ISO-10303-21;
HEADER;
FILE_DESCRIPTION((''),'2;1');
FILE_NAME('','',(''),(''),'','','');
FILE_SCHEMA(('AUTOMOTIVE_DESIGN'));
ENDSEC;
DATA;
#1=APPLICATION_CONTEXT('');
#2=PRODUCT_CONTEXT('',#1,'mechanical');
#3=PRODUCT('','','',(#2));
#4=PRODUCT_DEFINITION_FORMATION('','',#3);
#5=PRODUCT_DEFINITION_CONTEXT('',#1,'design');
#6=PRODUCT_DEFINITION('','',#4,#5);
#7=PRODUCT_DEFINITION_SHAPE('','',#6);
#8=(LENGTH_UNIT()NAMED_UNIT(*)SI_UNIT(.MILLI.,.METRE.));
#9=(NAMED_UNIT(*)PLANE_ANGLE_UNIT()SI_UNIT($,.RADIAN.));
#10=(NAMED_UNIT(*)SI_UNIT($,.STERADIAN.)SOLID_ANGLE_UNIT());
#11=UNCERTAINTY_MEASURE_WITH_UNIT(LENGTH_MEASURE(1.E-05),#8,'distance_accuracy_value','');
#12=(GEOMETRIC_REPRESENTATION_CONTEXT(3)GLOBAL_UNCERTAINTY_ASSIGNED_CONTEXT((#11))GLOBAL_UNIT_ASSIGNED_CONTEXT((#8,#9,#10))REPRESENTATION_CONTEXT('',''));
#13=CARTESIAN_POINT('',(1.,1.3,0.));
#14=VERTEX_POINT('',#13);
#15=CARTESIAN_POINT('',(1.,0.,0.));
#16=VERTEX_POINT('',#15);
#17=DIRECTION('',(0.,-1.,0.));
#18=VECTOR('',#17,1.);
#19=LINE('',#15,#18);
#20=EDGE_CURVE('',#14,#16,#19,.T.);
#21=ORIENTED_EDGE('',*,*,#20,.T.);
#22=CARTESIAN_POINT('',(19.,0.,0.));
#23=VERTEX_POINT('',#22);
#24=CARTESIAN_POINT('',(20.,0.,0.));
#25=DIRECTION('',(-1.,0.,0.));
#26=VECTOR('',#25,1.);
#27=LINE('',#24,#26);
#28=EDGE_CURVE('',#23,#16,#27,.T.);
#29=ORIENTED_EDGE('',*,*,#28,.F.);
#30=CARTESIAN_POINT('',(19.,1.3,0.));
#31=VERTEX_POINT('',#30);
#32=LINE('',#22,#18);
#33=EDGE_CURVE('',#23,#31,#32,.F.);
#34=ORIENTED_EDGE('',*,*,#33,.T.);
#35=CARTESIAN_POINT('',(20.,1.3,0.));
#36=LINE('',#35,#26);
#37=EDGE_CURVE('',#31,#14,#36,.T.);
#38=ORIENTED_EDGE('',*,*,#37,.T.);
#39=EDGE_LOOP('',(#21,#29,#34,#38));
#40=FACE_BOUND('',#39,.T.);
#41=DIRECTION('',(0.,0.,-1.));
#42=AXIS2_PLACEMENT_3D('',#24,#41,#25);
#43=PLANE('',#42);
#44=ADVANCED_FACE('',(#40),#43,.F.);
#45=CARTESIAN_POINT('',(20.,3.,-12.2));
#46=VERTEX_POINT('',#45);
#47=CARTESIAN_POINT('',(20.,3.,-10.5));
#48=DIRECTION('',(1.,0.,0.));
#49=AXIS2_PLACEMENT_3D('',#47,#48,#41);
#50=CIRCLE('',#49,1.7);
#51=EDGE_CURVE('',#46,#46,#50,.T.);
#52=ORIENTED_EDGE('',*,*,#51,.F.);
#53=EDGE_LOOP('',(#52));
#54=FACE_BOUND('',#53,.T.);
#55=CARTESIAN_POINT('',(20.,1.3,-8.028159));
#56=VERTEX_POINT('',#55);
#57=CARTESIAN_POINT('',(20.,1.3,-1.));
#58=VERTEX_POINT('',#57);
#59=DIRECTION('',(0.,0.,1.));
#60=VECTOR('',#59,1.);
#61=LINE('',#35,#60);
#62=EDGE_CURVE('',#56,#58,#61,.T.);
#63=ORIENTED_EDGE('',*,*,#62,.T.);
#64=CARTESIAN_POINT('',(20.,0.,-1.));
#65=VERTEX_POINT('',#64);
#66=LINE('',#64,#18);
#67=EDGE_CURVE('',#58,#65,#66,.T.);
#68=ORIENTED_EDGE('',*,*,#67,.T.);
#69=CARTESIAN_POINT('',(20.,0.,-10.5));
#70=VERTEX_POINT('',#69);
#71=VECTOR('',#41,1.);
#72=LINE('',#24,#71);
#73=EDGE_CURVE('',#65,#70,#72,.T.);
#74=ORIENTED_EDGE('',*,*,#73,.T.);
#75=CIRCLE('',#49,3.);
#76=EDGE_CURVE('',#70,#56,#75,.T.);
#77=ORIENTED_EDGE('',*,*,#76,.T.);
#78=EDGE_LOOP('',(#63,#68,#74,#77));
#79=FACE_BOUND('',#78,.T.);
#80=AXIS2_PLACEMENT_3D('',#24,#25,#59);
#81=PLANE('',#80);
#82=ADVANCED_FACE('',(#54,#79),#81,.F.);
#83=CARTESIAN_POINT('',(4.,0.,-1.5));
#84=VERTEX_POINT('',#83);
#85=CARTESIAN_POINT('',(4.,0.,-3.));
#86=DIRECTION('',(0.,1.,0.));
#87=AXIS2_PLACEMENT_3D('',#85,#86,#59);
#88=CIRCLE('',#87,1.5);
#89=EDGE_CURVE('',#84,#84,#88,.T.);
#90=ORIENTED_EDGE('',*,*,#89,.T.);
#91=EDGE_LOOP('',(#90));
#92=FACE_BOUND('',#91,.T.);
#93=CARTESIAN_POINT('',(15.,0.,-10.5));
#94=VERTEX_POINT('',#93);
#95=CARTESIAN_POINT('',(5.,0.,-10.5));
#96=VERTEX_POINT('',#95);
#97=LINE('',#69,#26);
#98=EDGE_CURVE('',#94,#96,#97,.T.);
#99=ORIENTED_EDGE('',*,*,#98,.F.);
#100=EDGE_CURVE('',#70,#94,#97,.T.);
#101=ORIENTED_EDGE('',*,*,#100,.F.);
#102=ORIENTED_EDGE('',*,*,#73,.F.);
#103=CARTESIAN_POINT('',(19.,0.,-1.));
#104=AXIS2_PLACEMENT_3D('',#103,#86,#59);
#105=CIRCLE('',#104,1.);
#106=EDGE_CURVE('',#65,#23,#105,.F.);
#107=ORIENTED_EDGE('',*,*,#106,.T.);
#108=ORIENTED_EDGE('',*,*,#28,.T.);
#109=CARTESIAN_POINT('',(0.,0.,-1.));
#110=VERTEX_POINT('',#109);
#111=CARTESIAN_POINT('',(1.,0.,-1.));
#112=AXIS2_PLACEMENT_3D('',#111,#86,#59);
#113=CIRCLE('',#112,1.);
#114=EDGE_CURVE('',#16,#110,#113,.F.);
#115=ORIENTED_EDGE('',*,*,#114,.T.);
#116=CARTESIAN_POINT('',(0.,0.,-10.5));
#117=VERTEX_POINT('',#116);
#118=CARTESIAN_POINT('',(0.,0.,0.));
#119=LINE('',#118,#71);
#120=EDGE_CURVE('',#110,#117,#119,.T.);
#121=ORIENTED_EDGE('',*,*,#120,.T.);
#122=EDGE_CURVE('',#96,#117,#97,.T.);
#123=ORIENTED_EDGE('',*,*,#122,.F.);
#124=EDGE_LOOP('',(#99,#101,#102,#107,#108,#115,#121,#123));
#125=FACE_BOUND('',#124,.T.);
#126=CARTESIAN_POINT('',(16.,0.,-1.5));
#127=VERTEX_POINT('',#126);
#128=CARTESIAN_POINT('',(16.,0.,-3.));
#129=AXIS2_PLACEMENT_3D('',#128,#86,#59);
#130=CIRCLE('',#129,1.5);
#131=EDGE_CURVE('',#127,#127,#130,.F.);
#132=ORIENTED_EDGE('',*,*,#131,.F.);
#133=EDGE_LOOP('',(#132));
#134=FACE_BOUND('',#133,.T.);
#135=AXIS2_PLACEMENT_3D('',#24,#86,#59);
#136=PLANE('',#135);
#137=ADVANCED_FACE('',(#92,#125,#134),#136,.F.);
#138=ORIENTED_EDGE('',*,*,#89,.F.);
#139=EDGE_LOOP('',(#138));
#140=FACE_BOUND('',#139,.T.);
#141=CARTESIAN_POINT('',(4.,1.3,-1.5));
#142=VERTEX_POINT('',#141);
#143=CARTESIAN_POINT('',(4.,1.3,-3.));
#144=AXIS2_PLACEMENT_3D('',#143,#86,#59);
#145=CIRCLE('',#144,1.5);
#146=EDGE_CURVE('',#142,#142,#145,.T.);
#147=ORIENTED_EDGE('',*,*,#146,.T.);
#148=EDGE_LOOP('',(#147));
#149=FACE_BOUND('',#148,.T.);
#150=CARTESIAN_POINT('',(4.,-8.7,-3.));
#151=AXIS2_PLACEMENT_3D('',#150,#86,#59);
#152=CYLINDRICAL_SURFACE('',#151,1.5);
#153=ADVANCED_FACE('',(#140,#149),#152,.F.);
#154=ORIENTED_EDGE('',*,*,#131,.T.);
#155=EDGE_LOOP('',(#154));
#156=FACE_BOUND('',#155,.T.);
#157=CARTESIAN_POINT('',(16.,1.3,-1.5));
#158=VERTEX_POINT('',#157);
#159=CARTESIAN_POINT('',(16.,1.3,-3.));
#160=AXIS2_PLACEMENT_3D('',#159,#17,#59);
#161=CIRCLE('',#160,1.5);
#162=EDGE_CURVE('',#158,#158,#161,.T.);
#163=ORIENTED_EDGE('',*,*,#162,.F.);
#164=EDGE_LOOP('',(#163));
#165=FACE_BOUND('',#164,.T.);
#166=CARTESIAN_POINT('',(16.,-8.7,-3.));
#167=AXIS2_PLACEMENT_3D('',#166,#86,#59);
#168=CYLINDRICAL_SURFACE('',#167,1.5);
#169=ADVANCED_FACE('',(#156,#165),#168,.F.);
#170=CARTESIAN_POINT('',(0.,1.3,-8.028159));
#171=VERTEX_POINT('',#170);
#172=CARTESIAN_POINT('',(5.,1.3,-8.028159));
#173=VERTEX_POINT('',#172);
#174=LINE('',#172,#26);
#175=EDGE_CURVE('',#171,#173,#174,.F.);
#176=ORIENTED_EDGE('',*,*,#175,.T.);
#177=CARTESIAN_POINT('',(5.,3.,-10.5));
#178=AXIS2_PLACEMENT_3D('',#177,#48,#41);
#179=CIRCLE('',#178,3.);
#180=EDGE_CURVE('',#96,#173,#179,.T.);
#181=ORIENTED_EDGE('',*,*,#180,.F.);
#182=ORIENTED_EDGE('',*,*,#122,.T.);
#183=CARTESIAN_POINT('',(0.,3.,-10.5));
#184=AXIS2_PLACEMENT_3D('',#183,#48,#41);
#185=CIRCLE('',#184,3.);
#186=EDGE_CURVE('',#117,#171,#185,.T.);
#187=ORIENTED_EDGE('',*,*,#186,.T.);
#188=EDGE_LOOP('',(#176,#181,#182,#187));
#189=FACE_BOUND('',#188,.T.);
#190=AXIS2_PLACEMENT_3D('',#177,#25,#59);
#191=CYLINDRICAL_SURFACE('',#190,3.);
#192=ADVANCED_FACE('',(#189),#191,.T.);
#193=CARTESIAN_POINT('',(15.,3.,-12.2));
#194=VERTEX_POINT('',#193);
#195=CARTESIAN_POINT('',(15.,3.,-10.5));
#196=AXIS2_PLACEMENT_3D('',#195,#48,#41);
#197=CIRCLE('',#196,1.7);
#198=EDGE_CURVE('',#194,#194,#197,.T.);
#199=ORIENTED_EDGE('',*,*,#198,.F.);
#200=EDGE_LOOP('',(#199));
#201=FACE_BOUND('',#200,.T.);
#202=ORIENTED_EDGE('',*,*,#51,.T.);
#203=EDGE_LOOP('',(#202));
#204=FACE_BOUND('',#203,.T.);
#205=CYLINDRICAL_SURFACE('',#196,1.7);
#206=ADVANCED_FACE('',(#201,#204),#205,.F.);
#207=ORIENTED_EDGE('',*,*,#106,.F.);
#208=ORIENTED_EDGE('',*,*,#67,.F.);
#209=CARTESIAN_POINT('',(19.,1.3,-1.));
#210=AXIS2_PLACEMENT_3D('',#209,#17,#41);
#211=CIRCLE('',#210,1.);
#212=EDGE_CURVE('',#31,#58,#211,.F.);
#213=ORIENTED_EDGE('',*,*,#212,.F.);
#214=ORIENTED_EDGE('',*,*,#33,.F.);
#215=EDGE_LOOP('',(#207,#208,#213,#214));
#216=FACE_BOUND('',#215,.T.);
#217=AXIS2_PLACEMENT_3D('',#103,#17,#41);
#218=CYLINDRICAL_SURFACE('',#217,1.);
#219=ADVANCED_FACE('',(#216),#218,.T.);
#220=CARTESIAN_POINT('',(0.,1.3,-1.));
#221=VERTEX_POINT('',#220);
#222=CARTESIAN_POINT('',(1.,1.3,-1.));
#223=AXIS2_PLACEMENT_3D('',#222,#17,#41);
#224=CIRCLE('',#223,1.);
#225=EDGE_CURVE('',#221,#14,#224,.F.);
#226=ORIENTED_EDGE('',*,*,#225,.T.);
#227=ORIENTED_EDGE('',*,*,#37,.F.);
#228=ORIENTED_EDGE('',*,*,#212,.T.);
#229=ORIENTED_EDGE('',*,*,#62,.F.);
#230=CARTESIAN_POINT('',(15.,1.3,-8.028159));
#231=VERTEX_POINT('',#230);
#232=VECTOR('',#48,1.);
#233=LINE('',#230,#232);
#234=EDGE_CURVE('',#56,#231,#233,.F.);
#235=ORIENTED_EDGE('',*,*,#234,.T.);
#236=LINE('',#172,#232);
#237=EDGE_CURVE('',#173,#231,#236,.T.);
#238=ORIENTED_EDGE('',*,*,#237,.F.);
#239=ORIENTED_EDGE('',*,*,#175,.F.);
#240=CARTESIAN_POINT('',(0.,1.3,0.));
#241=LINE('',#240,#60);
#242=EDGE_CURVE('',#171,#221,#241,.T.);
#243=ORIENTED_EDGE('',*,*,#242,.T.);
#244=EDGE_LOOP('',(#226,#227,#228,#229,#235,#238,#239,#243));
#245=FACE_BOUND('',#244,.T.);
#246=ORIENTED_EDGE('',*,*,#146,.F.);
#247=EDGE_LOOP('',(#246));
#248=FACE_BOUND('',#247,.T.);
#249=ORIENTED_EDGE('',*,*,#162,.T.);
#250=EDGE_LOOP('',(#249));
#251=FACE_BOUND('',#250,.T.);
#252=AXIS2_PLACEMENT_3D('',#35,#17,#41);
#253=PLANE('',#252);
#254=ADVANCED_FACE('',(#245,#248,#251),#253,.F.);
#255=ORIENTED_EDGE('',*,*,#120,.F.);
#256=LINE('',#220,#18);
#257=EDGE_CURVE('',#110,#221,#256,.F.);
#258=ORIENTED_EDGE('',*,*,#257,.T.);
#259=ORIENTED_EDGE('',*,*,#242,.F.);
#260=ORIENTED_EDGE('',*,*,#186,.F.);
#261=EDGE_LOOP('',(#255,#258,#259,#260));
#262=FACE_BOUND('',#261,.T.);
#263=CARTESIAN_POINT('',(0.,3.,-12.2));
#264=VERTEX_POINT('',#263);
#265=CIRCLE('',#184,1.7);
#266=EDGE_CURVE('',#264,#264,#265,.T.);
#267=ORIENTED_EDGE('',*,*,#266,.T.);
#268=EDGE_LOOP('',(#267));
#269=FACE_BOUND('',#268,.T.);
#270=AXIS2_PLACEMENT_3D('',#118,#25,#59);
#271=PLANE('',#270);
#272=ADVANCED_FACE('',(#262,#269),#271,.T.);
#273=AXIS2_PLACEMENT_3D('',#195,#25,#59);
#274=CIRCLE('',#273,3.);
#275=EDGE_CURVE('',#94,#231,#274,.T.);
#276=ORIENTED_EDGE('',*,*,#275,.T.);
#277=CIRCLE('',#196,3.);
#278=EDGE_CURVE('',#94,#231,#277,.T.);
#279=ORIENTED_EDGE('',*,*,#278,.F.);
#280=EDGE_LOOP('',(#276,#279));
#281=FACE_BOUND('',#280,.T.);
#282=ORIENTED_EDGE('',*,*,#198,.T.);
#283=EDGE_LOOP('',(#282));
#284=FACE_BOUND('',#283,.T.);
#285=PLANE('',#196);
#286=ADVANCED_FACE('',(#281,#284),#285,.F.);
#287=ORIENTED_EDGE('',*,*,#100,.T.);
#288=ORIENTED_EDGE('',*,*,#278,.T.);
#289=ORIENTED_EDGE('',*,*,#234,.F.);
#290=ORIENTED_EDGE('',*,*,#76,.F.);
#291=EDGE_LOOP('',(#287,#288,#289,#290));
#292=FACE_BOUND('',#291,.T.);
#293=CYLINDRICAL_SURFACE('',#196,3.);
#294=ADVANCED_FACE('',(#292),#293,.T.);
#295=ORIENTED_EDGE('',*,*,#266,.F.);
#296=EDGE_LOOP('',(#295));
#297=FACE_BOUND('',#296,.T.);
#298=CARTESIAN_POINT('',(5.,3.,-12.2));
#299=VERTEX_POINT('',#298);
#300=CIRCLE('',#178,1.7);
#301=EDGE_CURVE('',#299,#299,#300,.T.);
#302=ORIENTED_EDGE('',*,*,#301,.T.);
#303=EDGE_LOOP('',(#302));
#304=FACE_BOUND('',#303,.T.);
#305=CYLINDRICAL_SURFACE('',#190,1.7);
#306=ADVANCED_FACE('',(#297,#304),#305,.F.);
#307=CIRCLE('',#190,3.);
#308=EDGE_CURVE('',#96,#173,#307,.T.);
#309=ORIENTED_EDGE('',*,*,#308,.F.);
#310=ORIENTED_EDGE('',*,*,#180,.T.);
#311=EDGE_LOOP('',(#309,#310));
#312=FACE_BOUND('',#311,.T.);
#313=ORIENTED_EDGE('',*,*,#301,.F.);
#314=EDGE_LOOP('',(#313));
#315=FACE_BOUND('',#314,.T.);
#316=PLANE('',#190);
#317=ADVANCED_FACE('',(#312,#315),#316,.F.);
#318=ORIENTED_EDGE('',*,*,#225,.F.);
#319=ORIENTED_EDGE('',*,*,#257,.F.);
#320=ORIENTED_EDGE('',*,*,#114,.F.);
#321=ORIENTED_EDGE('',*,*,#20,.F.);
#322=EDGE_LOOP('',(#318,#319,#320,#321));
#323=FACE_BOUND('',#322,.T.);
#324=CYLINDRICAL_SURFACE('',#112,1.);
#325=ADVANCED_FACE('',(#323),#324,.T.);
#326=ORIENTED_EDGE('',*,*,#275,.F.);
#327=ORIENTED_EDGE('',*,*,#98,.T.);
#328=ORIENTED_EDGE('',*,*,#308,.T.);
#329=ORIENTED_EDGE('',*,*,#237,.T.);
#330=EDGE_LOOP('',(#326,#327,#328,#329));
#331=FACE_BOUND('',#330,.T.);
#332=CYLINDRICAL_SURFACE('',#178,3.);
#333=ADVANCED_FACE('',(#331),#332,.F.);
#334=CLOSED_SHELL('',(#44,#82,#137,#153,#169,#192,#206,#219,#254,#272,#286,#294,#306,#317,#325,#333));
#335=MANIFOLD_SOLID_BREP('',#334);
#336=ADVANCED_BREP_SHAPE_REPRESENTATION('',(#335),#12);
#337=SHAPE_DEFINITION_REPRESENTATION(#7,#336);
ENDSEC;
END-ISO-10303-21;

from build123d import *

# Parameters (mm, degrees)
SKETCH_1_W          = 10.5
SKETCH_1_H          = 1.3
EXTRUDE_2_DEPTH     = 20
SKETCH_2_R          = 3
SKETCH_2_R_2        = 1.7
EXTRUDE_3_DEPTH     = 5
SKETCH_3_R          = 3
CUT_EXTRUDE_1_DEPTH = 10
SKETCH_4_R          = 1.5
CUT_EXTRUDE_2_DEPTH = 10
FILLET_1_R          = 1


with BuildPart() as part:
    # 草图1 → 凸台-拉伸2 (new body)
    with BuildSketch(Plane(origin=(0, 0, 0), x_dir=(0, 0, -1), z_dir=(1, 0, 0))):
        with Locations((5.25, 0.65)):
            Rectangle(SKETCH_1_W, SKETCH_1_H)
    extrude(amount=EXTRUDE_2_DEPTH)

    # 草图2 → 凸台-拉伸3 (add)
    with BuildSketch(Plane(origin=(20, 0, 0), x_dir=(0, 0, -1), z_dir=(1, 0, 0))):
        with Locations((10.5, 3)):
            Circle(SKETCH_2_R)
        with Locations((10.5, 3)):
            Circle(SKETCH_2_R_2, mode=Mode.SUBTRACT)
    extrude_3 = extrude(amount=-EXTRUDE_3_DEPTH)

    # 草图3 → 切除-拉伸1 (cut)
    with BuildSketch(Plane.ZY.offset(-15)):
        with Locations((-10.5, 3)):
            Circle(SKETCH_3_R)
    extrude(amount=CUT_EXTRUDE_1_DEPTH, mode=Mode.SUBTRACT)

    # 镜向1: 凸台-拉伸3 across plane
    add(extrude_3.mirror(Plane.ZY.offset(-10)))

    # 草图4 → 切除-拉伸2 (cut)
    with BuildSketch(Plane(origin=(0, 1.3, 0), x_dir=(1, 0, 0), z_dir=(0, 1, 0))):
        with Locations((4, 3)):
            Circle(SKETCH_4_R)
    cut_extrude_2 = extrude(amount=-CUT_EXTRUDE_2_DEPTH, mode=Mode.SUBTRACT)

    # 镜向2: 切除-拉伸2 across plane
    add(cut_extrude_2.mirror(Plane.ZY.offset(-10)), mode=Mode.SUBTRACT)

    # 圆角1
    fillet_1_edges = [part.edges().sort_by_distance(p)[0] for p in [
        (20, 0.65, 0),
        (0, 0.65, 0),
    ]]
    fillet(fillet_1_edges, radius=FILLET_1_R)


solid = part.part
